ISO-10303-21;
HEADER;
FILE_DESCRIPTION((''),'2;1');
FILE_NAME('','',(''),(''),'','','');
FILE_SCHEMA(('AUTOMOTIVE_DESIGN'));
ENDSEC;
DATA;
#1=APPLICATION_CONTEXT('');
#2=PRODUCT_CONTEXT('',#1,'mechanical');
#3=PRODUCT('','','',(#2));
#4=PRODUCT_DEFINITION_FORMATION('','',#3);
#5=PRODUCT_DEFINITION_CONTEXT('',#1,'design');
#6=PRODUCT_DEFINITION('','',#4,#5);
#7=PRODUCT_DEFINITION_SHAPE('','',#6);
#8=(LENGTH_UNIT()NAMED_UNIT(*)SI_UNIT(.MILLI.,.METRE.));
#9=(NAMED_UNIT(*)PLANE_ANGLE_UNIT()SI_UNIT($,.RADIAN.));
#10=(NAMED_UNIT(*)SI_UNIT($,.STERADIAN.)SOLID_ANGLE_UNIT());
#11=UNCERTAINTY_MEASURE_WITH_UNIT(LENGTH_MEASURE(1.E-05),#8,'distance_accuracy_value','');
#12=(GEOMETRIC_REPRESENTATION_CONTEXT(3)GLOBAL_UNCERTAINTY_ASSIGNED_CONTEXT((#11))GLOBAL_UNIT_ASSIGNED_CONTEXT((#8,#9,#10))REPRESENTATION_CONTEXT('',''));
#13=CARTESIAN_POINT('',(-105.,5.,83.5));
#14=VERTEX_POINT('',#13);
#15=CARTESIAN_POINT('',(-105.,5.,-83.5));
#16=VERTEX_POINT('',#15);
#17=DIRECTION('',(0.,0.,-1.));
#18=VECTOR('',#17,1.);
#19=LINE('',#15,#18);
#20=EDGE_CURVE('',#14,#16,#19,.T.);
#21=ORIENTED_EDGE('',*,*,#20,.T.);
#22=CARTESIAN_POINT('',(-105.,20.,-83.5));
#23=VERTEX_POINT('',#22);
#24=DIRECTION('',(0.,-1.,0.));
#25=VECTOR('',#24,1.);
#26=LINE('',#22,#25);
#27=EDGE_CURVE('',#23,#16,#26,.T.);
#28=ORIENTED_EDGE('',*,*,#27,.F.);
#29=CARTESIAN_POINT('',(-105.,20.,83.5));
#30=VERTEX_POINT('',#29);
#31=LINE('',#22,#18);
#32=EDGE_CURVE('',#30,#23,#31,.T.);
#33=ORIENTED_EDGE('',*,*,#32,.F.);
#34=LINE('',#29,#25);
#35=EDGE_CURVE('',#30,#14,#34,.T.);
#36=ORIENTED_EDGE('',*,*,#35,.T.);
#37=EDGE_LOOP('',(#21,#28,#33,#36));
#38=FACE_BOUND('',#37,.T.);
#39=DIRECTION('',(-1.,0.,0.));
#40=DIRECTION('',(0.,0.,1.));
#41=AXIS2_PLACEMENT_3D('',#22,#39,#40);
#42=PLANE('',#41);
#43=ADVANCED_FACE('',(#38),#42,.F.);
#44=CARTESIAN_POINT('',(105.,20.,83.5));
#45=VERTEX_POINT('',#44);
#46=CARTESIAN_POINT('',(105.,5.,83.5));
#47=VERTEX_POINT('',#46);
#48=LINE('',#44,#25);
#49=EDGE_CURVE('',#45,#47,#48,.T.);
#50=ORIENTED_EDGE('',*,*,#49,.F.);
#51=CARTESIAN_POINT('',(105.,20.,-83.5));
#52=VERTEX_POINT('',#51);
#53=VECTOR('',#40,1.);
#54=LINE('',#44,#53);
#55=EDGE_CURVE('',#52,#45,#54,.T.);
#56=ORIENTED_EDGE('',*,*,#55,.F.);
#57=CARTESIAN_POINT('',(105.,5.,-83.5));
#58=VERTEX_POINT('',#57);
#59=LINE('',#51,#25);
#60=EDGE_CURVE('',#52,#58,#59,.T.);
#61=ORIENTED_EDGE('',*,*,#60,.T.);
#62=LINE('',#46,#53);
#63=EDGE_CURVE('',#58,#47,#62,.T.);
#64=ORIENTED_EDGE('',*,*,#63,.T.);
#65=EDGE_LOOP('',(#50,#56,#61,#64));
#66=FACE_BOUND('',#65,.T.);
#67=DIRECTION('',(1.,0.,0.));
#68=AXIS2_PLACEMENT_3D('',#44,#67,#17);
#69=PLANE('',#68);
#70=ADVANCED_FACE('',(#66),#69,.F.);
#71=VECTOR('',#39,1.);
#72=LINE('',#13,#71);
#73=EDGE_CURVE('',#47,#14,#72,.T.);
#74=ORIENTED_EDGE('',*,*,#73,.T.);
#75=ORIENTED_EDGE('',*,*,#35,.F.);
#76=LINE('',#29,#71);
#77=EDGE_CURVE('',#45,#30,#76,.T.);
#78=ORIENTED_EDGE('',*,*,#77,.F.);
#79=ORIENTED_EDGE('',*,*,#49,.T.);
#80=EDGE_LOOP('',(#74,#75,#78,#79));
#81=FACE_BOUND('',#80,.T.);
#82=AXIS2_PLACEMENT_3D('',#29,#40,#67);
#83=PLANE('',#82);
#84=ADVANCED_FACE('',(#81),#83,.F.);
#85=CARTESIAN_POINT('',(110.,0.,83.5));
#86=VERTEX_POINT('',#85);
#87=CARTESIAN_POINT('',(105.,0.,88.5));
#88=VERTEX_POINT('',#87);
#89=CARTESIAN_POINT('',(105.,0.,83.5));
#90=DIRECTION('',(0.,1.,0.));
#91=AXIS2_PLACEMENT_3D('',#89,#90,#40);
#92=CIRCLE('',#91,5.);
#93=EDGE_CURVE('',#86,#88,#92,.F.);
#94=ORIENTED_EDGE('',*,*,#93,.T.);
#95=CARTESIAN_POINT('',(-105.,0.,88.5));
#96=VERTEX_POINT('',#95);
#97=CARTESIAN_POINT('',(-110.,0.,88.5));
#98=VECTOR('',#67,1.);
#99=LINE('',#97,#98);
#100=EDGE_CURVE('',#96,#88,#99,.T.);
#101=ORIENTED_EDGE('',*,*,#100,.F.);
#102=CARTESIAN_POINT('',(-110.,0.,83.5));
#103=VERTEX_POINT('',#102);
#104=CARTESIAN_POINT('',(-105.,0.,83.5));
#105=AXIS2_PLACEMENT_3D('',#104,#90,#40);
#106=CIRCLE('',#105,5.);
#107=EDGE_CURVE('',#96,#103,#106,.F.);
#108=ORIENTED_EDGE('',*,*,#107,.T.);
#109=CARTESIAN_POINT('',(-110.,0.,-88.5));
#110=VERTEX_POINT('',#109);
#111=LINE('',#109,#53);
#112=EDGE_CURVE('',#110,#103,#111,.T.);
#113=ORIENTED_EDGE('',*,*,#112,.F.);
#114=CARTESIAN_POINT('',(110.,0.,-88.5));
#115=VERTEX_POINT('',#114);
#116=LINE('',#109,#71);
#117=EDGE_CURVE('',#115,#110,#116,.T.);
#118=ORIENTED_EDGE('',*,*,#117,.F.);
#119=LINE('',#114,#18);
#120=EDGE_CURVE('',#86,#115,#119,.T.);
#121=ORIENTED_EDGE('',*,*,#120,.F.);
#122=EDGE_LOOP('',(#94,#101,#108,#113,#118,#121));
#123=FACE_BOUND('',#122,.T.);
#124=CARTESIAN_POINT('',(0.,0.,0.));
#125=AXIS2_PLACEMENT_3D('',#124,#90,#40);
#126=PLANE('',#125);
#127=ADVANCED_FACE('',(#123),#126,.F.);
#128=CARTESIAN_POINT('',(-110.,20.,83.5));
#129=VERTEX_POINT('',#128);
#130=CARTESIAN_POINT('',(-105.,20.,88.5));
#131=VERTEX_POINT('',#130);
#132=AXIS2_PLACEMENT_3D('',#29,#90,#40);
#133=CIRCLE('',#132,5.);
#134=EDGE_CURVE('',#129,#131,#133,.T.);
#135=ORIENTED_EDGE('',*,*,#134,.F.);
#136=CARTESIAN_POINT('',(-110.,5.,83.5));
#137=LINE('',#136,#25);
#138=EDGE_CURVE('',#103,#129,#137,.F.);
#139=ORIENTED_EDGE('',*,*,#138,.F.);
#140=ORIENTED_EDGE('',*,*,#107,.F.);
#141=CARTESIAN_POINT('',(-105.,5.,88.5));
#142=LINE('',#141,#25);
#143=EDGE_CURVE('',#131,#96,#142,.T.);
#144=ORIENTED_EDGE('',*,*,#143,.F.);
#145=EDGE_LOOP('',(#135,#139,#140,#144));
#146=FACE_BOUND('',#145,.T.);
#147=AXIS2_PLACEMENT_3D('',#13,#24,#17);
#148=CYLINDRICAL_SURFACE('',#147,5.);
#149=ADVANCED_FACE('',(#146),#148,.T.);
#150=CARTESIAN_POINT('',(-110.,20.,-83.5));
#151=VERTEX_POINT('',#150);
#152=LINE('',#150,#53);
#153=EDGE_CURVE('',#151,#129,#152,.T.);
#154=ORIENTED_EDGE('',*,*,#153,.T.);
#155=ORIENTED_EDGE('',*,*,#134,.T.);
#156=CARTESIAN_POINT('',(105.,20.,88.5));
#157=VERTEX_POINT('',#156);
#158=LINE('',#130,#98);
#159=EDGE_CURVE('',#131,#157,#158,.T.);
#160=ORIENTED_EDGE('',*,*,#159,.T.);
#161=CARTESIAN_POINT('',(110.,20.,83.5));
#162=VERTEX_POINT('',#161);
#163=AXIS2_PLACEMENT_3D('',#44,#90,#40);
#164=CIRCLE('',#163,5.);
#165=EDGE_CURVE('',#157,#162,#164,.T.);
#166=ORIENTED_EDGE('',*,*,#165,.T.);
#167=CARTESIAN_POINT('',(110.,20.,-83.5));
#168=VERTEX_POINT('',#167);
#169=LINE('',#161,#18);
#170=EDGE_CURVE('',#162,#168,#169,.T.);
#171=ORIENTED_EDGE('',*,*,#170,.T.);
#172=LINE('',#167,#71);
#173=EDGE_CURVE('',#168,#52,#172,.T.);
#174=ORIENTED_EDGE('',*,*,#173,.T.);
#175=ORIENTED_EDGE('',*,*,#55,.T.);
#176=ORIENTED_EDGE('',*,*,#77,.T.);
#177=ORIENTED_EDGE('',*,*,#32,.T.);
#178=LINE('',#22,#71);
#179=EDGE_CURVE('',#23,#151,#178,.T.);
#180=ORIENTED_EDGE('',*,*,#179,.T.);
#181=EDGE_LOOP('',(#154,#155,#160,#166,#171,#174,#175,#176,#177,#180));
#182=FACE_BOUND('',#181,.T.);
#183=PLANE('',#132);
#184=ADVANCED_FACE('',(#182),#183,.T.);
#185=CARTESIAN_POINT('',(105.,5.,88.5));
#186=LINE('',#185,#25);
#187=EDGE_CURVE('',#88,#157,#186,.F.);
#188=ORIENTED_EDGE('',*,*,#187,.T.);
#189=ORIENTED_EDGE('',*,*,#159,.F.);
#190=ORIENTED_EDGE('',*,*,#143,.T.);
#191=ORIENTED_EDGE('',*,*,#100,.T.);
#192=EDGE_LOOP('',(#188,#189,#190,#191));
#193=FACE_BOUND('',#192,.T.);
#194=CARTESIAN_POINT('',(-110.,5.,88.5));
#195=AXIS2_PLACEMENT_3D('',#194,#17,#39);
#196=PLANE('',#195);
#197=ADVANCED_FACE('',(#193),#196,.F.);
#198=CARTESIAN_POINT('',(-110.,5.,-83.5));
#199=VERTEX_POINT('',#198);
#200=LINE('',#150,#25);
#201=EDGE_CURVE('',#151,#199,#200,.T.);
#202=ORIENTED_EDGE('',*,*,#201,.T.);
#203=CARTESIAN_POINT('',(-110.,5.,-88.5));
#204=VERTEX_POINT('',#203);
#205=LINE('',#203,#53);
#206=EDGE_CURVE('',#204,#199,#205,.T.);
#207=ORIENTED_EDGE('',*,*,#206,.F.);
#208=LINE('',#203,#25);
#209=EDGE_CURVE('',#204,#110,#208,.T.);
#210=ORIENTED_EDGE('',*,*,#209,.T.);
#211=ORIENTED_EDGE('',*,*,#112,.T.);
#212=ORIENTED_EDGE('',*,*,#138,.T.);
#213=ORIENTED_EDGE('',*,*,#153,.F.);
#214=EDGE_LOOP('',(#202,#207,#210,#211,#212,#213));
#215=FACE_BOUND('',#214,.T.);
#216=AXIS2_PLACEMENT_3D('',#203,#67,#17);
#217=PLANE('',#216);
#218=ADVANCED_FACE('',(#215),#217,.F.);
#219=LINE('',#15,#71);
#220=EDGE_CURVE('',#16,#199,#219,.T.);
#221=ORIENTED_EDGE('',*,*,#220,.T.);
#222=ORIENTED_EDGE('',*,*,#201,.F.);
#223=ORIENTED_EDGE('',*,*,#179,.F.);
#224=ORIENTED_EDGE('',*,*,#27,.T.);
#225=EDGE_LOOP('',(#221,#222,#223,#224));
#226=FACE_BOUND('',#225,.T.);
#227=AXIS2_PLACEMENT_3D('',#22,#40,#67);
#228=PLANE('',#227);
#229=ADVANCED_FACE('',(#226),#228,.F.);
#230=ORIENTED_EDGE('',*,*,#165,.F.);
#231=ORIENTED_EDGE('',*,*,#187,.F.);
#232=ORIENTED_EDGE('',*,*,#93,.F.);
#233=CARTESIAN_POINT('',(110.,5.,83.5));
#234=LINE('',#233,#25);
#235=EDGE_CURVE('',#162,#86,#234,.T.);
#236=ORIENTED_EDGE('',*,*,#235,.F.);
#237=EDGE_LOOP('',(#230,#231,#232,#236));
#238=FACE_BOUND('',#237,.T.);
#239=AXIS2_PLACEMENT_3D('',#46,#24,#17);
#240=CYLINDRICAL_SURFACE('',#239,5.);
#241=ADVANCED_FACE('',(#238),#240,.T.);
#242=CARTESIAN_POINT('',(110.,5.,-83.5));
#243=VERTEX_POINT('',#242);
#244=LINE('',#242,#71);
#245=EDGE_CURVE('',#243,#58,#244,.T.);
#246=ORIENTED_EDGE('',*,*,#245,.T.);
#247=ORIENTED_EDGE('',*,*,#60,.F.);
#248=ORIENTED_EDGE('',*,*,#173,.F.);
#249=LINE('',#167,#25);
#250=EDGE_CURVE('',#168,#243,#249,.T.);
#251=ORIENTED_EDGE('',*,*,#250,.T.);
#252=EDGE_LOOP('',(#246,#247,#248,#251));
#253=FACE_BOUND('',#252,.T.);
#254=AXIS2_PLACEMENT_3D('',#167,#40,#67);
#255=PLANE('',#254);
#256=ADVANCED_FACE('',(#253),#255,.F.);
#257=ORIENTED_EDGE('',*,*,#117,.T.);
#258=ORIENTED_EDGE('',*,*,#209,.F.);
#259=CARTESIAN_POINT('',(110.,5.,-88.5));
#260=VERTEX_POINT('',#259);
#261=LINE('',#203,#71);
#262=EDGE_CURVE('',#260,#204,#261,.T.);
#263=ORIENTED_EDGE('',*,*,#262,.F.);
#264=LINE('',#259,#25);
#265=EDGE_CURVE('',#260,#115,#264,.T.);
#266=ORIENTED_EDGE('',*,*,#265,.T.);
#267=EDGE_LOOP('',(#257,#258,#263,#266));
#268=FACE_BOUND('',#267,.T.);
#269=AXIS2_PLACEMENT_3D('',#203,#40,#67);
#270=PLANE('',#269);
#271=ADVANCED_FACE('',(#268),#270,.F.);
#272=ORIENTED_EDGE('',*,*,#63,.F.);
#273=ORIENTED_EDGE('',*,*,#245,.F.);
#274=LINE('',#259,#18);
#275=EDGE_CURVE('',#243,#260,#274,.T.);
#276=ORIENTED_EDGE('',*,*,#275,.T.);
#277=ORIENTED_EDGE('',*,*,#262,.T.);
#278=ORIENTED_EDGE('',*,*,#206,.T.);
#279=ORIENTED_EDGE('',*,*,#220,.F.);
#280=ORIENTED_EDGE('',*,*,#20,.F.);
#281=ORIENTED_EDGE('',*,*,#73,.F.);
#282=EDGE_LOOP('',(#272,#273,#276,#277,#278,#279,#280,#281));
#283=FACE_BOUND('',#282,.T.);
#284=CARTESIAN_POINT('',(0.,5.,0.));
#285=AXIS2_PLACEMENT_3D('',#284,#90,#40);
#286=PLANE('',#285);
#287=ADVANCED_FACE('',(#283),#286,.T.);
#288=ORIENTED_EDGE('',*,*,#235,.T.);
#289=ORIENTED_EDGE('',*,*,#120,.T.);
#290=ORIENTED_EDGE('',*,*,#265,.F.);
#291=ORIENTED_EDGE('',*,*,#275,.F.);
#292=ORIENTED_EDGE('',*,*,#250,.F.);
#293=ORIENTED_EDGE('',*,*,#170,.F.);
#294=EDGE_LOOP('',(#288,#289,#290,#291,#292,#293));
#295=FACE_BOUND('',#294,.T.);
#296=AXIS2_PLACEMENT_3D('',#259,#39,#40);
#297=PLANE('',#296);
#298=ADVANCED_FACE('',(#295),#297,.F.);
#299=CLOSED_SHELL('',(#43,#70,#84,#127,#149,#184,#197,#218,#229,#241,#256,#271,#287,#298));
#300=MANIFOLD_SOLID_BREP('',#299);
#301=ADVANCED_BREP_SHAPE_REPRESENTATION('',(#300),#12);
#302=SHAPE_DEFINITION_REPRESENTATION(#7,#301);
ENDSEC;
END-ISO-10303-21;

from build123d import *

# Parameters (mm, degrees)
SKETCH1_W           = 220
SKETCH1_H           = 177
BOSS_EXTRUDE1_DEPTH = 5
FILLET1_R           = 5
BOSS_EXTRUDE2_START = 15
BOSS_EXTRUDE2_DEPTH = 15


with BuildPart() as part:
    # Sketch1 → Boss-Extrude1 (new body)
    with BuildSketch(Plane(origin=(0, 0, 0), x_dir=(1, 0, 0), z_dir=(0, 1, 0))):
        Rectangle(SKETCH1_W, SKETCH1_H)
    extrude(amount=BOSS_EXTRUDE1_DEPTH)

    # Fillet1
    fillet1_edges = [part.edges().sort_by_distance(p)[0] for p in [
        (110, 2.5, 88.5),
        (-110, 2.5, 88.5),
    ]]
    fillet(fillet1_edges, radius=FILLET1_R)

    # Sketch3 → Boss-Extrude2 (add)
    with BuildSketch(Plane(origin=(0, 5, 0), x_dir=(1, 0, 0), z_dir=(0, 1, 0)).offset(BOSS_EXTRUDE2_START)):
        with BuildLine():
            Line((-105, 83.5), (-105, -83.5))
            Line((-105, -83.5), (105, -83.5))
            Line((105, -83.5), (105, 83.5))
            Line((105, 83.5), (110, 83.5))
            Line((110, 83.5), (110, -83.5))
            ThreePointArc((110, -83.5), (108.535533906, -87.035533906), (105, -88.5))
            Line((105, -88.5), (-105, -88.5))
            ThreePointArc((-105, -88.5), (-108.535533906, -87.035533906), (-110, -83.5))
            Line((-110, -83.5), (-110, 83.5))
            Line((-110, 83.5), (-105, 83.5))
        make_face()
    extrude(amount=-BOSS_EXTRUDE2_DEPTH)


solid = part.part
